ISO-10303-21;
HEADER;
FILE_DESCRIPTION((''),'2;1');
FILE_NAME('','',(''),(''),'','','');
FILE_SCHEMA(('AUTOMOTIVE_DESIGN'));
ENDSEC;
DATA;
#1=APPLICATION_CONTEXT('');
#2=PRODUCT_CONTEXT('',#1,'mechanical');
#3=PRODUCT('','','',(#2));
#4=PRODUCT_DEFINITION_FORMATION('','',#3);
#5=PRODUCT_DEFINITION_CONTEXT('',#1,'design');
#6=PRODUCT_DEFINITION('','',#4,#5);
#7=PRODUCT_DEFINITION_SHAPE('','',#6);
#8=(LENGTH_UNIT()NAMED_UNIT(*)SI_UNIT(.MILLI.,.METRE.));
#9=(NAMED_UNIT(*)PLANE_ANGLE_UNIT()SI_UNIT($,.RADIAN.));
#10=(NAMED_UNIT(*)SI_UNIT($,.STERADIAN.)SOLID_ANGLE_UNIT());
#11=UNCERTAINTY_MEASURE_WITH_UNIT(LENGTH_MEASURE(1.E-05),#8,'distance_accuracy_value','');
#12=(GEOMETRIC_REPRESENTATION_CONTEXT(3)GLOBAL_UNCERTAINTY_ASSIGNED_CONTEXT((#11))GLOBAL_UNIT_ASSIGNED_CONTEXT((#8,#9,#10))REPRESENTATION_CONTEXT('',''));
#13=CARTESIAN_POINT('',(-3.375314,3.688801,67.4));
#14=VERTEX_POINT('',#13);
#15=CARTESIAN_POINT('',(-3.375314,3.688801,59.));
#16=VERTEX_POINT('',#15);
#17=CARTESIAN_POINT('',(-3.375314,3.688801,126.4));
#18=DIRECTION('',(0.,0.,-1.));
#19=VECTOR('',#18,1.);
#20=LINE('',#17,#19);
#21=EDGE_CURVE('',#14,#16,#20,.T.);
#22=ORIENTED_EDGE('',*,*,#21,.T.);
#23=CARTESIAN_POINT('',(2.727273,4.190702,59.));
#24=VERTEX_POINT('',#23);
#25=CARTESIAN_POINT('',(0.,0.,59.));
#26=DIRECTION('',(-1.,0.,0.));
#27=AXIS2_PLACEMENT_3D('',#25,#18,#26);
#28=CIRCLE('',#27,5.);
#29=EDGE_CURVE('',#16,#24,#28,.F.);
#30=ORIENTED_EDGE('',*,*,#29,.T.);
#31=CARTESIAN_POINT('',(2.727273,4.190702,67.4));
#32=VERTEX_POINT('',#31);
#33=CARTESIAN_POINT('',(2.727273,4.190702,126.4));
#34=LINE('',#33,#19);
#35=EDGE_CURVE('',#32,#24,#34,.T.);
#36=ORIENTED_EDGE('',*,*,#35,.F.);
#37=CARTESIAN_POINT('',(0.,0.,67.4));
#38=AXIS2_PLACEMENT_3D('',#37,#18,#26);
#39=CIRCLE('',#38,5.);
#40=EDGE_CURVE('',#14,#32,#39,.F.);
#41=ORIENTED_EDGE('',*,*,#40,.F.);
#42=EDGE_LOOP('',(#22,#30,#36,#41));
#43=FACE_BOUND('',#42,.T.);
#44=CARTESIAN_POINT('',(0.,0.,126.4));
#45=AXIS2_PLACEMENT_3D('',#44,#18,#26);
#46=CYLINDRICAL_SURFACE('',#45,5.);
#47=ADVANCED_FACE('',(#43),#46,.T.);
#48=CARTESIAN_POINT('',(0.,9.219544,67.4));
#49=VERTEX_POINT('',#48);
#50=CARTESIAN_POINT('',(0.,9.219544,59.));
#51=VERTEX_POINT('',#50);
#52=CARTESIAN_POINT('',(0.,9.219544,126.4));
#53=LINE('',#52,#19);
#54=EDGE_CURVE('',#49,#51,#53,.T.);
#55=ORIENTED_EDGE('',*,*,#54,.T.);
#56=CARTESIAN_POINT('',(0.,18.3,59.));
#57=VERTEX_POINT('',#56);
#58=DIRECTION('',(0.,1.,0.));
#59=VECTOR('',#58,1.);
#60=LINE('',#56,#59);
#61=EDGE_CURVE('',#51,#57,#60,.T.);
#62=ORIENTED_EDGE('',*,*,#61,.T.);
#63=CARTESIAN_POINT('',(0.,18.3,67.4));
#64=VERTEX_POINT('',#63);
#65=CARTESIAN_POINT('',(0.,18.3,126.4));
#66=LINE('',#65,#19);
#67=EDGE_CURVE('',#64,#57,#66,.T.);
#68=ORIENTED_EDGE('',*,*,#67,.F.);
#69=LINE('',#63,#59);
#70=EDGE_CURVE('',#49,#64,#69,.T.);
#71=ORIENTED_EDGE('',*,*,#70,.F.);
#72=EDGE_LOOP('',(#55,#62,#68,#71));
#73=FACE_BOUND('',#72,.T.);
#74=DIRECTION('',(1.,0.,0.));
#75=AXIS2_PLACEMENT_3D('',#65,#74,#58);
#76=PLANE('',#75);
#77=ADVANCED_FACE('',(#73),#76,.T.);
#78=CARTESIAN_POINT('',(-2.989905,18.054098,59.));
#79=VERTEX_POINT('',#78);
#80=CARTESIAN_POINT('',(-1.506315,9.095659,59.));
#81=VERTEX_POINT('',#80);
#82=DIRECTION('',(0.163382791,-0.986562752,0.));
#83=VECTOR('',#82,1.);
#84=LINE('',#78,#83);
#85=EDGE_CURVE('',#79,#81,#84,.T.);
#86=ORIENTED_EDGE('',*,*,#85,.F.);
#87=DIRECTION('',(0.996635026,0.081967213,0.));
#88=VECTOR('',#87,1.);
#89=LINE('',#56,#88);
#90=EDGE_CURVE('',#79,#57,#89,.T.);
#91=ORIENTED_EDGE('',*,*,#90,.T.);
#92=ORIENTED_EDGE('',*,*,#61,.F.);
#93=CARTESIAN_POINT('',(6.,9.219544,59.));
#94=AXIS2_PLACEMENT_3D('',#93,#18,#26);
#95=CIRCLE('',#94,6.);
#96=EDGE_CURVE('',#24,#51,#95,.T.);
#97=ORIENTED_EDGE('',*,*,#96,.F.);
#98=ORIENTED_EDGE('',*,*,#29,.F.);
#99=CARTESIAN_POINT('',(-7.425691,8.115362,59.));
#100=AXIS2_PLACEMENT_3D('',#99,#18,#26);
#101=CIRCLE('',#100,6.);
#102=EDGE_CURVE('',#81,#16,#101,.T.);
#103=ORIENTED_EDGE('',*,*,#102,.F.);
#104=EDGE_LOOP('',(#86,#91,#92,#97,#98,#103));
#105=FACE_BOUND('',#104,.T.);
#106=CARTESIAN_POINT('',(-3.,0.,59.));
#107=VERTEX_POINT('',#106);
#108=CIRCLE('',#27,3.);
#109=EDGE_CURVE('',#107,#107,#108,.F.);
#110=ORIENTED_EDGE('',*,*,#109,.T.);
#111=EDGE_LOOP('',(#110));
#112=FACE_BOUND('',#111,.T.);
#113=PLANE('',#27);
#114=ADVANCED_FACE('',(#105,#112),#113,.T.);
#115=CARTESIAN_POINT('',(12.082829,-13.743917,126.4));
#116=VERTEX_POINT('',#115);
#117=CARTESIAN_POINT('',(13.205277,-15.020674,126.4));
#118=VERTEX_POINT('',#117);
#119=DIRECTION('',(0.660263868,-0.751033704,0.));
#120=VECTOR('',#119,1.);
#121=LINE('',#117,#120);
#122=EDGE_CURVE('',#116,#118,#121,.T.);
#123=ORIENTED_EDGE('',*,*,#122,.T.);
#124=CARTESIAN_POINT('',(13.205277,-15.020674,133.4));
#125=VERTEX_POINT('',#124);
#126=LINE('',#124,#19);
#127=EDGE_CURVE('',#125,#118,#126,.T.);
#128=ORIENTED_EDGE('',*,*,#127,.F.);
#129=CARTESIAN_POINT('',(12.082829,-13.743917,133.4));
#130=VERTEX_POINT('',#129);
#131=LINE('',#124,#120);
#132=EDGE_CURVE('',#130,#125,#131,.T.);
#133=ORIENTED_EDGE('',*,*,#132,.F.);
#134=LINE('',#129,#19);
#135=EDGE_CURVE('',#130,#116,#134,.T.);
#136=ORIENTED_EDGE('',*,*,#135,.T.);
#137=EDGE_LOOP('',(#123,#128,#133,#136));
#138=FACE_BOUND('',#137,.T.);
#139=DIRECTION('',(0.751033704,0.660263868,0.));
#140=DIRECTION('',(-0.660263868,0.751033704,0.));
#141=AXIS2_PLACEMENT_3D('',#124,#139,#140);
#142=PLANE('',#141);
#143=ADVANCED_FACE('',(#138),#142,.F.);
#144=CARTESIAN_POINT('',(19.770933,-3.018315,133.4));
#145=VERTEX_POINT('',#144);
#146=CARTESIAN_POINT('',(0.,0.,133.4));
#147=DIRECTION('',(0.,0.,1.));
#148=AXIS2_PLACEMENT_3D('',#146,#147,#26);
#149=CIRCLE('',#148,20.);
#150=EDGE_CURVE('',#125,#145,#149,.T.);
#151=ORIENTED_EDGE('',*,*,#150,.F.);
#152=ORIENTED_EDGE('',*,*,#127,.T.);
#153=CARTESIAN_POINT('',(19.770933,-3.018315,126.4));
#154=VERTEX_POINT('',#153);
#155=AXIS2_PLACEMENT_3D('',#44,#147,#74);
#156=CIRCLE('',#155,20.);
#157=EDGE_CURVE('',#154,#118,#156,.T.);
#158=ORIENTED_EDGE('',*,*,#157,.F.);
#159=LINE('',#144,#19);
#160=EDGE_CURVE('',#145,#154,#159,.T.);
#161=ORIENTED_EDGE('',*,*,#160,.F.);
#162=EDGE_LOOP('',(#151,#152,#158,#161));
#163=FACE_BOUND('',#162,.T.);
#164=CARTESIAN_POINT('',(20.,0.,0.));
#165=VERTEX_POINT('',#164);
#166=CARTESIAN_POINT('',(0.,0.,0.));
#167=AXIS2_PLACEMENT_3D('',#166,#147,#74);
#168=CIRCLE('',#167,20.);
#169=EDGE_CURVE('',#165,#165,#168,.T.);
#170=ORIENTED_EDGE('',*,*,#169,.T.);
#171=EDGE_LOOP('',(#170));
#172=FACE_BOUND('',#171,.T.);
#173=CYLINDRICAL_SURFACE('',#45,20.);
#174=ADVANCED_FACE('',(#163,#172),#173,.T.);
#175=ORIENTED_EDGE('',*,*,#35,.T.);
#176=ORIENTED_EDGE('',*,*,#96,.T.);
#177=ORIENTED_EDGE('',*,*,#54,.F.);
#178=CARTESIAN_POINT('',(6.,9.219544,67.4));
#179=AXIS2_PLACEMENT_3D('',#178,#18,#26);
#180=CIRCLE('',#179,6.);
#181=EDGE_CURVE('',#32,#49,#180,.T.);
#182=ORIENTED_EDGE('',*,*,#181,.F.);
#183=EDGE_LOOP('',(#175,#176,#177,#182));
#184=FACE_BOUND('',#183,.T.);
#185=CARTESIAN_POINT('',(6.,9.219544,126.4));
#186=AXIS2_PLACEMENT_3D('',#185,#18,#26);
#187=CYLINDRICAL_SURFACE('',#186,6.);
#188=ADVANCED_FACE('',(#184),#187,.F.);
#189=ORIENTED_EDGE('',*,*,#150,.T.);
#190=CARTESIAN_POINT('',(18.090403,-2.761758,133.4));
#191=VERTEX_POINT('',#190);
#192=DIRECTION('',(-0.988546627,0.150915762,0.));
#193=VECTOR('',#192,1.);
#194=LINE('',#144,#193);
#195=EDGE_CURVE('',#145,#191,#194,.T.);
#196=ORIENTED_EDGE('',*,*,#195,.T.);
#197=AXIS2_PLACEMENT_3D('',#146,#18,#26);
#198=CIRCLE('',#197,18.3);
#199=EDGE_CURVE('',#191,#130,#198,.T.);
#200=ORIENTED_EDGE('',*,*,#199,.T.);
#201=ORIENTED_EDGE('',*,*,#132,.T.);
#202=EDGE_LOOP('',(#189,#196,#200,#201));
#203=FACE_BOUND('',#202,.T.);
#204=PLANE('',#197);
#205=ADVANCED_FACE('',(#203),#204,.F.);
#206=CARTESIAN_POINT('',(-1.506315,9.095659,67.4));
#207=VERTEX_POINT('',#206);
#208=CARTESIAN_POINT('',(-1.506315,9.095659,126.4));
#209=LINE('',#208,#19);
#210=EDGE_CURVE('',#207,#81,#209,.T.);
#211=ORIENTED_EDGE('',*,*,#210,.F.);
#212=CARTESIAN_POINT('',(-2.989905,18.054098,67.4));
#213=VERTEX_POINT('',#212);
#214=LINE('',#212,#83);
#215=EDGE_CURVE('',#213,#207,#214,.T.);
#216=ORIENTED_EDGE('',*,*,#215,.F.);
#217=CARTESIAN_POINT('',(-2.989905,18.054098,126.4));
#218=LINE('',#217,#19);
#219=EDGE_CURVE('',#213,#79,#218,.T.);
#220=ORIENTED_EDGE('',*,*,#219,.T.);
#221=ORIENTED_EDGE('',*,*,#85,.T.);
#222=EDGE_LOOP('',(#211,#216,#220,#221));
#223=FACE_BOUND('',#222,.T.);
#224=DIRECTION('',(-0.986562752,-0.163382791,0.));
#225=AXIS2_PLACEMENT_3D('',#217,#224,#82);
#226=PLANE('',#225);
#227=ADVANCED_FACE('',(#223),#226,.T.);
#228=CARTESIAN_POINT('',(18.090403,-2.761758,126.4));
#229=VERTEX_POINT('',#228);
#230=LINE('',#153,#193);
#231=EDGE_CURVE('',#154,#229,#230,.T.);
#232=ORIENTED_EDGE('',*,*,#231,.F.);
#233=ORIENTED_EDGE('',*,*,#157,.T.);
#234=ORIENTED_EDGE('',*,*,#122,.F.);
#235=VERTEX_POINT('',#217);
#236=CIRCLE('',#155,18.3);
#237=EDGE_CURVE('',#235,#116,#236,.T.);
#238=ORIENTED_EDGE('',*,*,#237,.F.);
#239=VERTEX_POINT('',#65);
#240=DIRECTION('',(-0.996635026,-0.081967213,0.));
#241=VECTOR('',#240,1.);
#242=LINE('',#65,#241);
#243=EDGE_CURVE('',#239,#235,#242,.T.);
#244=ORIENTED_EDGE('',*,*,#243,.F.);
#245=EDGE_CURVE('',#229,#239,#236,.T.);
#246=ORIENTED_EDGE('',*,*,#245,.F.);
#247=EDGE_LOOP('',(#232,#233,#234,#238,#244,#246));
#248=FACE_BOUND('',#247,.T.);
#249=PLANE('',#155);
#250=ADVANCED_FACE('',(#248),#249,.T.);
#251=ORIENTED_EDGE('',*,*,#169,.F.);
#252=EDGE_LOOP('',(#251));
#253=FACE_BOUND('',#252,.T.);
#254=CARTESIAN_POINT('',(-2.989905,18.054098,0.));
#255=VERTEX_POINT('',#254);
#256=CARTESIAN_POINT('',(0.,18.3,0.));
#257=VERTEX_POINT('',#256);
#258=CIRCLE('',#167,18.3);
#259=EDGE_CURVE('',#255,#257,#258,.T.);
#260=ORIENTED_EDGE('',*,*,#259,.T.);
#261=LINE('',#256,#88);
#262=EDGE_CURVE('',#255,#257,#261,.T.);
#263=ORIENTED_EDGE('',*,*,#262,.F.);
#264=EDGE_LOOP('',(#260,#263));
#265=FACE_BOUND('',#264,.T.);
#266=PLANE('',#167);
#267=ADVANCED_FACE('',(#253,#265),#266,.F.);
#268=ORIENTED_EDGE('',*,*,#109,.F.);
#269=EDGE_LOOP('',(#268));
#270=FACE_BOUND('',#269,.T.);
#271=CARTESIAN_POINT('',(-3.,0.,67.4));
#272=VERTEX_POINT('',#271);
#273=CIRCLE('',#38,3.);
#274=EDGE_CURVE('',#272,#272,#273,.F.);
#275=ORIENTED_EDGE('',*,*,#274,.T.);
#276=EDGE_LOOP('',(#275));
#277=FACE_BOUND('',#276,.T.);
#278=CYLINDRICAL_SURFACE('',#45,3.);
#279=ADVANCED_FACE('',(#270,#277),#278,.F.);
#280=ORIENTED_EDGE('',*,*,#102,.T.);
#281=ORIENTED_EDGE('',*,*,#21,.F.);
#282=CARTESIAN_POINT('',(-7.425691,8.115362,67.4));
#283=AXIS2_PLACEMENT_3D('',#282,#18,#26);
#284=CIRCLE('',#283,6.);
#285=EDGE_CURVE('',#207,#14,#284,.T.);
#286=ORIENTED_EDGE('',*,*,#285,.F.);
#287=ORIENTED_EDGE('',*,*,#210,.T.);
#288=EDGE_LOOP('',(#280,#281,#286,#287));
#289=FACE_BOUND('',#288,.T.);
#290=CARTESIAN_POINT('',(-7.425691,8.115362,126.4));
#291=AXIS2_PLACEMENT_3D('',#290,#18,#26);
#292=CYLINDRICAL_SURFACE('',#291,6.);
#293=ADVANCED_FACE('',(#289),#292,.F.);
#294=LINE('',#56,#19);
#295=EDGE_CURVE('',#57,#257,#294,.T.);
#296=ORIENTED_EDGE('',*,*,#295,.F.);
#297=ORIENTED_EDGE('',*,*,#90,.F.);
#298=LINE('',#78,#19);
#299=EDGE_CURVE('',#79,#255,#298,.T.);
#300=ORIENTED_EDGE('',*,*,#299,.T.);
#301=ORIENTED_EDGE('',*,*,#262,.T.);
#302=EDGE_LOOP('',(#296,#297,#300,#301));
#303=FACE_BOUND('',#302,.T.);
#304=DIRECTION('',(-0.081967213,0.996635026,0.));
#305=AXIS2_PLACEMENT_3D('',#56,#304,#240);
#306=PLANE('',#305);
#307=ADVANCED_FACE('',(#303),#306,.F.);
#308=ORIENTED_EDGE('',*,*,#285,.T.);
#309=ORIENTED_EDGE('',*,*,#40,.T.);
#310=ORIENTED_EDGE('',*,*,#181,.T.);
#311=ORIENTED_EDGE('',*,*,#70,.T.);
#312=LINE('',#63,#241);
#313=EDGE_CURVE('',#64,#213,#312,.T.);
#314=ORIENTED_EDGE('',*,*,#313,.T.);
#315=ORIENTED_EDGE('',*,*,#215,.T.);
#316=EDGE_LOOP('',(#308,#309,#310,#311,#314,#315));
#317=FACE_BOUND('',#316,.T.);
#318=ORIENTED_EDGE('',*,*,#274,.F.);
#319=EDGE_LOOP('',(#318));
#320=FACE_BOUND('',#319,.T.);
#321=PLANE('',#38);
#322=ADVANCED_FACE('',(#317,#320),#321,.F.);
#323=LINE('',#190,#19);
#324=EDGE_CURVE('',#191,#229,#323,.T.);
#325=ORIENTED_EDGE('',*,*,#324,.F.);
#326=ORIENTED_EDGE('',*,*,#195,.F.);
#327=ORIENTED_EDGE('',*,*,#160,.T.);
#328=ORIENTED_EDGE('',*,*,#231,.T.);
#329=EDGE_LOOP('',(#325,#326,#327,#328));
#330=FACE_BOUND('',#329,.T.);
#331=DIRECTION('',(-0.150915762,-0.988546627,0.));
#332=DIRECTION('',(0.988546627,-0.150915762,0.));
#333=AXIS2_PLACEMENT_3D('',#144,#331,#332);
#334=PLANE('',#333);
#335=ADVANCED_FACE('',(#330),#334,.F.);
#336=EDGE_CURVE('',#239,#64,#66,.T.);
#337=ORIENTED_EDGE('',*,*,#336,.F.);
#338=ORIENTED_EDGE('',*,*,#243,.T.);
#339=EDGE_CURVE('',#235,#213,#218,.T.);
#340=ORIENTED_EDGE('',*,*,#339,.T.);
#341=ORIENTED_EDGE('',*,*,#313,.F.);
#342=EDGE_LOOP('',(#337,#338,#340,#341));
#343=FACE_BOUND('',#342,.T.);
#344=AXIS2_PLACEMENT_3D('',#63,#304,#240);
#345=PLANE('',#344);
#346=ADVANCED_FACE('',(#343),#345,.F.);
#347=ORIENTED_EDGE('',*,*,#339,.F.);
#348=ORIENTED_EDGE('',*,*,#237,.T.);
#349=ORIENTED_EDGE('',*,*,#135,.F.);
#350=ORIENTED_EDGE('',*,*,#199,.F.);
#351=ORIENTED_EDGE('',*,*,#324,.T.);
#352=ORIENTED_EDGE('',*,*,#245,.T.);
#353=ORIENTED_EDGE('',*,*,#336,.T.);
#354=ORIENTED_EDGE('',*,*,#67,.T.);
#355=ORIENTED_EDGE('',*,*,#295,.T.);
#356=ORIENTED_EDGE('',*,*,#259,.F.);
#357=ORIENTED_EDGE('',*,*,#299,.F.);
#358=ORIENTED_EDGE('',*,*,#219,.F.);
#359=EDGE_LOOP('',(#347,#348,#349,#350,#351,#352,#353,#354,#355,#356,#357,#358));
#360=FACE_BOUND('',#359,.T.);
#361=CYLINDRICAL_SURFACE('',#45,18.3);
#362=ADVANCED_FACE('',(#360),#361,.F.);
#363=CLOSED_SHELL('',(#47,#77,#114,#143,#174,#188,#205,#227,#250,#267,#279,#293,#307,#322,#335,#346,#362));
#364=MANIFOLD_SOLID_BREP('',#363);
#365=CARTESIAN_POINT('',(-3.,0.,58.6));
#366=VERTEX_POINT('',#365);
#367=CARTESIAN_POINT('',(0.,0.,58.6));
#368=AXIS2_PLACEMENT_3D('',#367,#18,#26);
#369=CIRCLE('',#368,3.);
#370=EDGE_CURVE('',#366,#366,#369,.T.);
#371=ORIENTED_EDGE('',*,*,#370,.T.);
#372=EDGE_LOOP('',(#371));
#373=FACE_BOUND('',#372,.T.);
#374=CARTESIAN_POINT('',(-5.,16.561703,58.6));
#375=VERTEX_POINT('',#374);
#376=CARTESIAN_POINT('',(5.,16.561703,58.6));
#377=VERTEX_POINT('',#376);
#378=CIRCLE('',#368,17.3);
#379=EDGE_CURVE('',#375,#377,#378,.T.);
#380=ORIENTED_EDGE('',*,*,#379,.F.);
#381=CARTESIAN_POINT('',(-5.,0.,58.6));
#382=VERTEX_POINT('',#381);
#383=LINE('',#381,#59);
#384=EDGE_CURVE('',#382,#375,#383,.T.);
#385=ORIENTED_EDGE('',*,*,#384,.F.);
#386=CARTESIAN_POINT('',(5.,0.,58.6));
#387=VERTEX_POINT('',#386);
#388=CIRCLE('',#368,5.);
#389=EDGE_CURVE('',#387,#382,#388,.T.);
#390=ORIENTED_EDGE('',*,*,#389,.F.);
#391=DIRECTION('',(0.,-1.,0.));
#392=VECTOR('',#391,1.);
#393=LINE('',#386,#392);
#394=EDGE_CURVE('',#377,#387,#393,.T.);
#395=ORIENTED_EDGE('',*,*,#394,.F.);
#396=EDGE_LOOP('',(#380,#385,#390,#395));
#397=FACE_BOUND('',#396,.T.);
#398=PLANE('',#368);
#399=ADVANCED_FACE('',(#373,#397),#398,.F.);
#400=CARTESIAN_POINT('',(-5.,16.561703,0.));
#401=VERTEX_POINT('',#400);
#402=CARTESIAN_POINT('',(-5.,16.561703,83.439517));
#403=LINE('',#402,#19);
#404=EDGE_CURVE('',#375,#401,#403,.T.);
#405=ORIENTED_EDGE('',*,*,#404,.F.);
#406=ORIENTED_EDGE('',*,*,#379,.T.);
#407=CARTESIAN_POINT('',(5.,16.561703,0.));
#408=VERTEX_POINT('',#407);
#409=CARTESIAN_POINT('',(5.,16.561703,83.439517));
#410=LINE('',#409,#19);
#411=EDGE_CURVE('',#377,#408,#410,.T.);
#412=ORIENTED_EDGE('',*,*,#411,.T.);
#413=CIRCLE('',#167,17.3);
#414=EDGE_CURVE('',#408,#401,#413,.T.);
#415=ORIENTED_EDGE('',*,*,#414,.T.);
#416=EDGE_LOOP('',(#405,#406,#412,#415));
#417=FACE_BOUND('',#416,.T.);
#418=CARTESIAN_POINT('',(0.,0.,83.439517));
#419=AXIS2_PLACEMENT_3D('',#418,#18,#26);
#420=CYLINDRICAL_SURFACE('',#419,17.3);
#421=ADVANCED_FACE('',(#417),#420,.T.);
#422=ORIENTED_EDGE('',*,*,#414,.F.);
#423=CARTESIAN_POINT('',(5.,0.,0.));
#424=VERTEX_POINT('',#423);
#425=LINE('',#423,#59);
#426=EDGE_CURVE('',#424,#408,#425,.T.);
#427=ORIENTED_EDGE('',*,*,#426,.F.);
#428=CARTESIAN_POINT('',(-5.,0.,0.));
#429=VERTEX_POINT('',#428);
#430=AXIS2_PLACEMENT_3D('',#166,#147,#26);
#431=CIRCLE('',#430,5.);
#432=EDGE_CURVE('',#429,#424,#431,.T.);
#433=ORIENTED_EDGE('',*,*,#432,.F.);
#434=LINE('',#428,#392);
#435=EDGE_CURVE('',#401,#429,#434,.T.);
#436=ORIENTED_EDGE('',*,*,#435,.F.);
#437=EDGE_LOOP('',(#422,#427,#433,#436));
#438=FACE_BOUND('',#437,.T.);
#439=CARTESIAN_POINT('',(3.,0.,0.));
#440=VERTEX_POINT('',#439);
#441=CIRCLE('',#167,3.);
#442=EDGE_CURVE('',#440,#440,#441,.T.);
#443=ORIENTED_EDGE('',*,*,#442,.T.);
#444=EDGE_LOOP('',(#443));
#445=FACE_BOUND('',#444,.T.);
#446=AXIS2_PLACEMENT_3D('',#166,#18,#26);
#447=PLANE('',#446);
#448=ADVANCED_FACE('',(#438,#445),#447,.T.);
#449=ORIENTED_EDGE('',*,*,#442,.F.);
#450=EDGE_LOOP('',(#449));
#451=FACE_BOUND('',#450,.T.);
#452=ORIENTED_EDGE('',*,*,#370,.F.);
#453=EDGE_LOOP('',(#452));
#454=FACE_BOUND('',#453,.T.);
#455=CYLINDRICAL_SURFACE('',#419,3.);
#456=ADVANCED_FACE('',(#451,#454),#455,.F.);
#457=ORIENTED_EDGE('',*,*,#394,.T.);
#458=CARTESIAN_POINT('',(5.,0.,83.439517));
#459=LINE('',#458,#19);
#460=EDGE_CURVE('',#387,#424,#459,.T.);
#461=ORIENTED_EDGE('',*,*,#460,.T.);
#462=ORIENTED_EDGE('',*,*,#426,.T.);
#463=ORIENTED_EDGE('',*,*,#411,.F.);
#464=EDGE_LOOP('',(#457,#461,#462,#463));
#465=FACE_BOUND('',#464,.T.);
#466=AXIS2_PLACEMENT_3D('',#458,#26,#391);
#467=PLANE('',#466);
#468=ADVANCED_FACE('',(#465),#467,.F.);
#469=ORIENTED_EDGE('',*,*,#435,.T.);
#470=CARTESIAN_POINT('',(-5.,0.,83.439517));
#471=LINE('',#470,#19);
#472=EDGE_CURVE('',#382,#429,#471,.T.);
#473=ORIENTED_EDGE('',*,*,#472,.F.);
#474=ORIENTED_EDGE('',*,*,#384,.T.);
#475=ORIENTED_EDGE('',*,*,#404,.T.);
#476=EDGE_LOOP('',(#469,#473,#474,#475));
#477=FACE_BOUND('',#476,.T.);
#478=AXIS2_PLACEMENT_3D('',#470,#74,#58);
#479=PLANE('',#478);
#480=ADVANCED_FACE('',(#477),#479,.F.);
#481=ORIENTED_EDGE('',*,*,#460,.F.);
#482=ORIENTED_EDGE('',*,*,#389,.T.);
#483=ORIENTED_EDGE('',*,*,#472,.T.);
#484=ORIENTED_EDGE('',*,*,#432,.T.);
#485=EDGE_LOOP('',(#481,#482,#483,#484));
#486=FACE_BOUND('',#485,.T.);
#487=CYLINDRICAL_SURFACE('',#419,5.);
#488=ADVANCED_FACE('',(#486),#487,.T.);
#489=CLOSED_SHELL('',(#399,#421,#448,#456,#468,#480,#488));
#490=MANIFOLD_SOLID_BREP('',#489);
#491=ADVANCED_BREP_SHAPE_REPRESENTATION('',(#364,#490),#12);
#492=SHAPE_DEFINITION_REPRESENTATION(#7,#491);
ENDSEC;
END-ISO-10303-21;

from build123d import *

# Parameters (mm, degrees)
SKETCH_2_R          = 20
SKETCH_2_R_2        = 18.3
EXTRUDE_1_DEPTH     = 126.4
SKETCH_5_R          = 3
EXTRUDE_3_DEPTH     = 126.4
CUT_EXTRUDE1_DEPTH  = 59
CUT_EXTRUDE2_DEPTH  = 59
BOSS_EXTRUDE4_DEPTH = 7
SKETCH3_R           = 3
BOSS_EXTRUDE6_DEPTH = 58.6


with BuildPart() as part:
    # Эскиз2 → Бобышка-Вытянуть1 (new body)
    with BuildSketch(Plane.XY):
        Circle(SKETCH_2_R)
        Circle(SKETCH_2_R_2, mode=Mode.SUBTRACT)
    extrude(amount=EXTRUDE_1_DEPTH)

    # Эскиз5 → Бобышка-Вытянуть3 (add, through all)
    with BuildSketch(Plane(origin=(0, 0, 0), x_dir=(-1, 0, 0), z_dir=(0, 0, -1))):
        with BuildLine():
            Line((0, 18.3), (0, 9.219544457))
            ThreePointArc((0, 9.219544457), (-0.725705562, 6.35915669), (-2.727272727, 4.190702026))
            ThreePointArc((-2.727272727, 4.190702026), (-0.409836066, -4.983175132), (3.375314281, 3.688801093))
            ThreePointArc((3.375314281, 3.688801093), (1.754930846, 6.155139323), (1.506314907, 9.095659151))
            Line((1.506314907, 9.095659151), (2.989905079, 18.054098361))
            ThreePointArc((2.989905079, 18.054098361), (1.5, 18.238420984), (0, 18.3))
        make_face()
        Circle(SKETCH_5_R, mode=Mode.SUBTRACT)
    extrude(amount=-EXTRUDE_3_DEPTH)

    # Sketch1 → Cut-Extrude1 (cut)
    with BuildSketch(Plane(origin=(0, 0, 0), x_dir=(-1, 0, 0), z_dir=(0, 0, -1))):
        with BuildLine():
            Line((0, 18.3), (2.989905079, 18.054098361))
            ThreePointArc((2.989905079, 18.054098361), (-1.5, -18.238420984), (0, 18.3))
        make_face()
    extrude(amount=-CUT_EXTRUDE1_DEPTH, mode=Mode.SUBTRACT)

    # Sketch2 → Cut-Extrude2 (cut)
    with BuildSketch(Plane.XY.offset(126.4)):
        with BuildLine():
            Line((0, 18.3), (-2.989905079, 18.054098361))
            ThreePointArc((-2.989905079, 18.054098361), (1.5, -18.238420984), (0, 18.3))
        make_face()
    extrude(amount=-CUT_EXTRUDE2_DEPTH, mode=Mode.SUBTRACT)

    # Sketch6 → Boss-Extrude4 (add)
    with BuildSketch(Plane.XY.offset(126.4)):
        with BuildLine():
            Line((19.770932531, -3.018315232), (18.090403266, -2.761758437))
            ThreePointArc((18.090403266, -2.761758437), (16.05484144, -8.782486342), (12.082828792, -13.743916778))
            Line((12.082828792, -13.743916778), (13.205277368, -15.020674074))
            ThreePointArc((13.205277368, -15.020674074), (17.546274798, -9.598345728), (19.770932531, -3.018315232))
        make_face()
    extrude(amount=BOSS_EXTRUDE4_DEPTH)


with BuildPart() as body_2:
    # Sketch3 → Boss-Extrude6 (new body)
    with BuildSketch(Plane.XY):
        with BuildLine():
            Line((5, 0), (5, 16.561702811))
            ThreePointArc((5, 16.561702811), (0, 17.3), (-5, 16.561702811))
            Line((-5, 16.561702811), (-5, 0))
            ThreePointArc((-5, 0), (0, -5), (5, 0))
        make_face()
        Circle(SKETCH3_R, mode=Mode.SUBTRACT)
    extrude(amount=BOSS_EXTRUDE6_DEPTH)


solid = Compound([part.part, body_2.part])
